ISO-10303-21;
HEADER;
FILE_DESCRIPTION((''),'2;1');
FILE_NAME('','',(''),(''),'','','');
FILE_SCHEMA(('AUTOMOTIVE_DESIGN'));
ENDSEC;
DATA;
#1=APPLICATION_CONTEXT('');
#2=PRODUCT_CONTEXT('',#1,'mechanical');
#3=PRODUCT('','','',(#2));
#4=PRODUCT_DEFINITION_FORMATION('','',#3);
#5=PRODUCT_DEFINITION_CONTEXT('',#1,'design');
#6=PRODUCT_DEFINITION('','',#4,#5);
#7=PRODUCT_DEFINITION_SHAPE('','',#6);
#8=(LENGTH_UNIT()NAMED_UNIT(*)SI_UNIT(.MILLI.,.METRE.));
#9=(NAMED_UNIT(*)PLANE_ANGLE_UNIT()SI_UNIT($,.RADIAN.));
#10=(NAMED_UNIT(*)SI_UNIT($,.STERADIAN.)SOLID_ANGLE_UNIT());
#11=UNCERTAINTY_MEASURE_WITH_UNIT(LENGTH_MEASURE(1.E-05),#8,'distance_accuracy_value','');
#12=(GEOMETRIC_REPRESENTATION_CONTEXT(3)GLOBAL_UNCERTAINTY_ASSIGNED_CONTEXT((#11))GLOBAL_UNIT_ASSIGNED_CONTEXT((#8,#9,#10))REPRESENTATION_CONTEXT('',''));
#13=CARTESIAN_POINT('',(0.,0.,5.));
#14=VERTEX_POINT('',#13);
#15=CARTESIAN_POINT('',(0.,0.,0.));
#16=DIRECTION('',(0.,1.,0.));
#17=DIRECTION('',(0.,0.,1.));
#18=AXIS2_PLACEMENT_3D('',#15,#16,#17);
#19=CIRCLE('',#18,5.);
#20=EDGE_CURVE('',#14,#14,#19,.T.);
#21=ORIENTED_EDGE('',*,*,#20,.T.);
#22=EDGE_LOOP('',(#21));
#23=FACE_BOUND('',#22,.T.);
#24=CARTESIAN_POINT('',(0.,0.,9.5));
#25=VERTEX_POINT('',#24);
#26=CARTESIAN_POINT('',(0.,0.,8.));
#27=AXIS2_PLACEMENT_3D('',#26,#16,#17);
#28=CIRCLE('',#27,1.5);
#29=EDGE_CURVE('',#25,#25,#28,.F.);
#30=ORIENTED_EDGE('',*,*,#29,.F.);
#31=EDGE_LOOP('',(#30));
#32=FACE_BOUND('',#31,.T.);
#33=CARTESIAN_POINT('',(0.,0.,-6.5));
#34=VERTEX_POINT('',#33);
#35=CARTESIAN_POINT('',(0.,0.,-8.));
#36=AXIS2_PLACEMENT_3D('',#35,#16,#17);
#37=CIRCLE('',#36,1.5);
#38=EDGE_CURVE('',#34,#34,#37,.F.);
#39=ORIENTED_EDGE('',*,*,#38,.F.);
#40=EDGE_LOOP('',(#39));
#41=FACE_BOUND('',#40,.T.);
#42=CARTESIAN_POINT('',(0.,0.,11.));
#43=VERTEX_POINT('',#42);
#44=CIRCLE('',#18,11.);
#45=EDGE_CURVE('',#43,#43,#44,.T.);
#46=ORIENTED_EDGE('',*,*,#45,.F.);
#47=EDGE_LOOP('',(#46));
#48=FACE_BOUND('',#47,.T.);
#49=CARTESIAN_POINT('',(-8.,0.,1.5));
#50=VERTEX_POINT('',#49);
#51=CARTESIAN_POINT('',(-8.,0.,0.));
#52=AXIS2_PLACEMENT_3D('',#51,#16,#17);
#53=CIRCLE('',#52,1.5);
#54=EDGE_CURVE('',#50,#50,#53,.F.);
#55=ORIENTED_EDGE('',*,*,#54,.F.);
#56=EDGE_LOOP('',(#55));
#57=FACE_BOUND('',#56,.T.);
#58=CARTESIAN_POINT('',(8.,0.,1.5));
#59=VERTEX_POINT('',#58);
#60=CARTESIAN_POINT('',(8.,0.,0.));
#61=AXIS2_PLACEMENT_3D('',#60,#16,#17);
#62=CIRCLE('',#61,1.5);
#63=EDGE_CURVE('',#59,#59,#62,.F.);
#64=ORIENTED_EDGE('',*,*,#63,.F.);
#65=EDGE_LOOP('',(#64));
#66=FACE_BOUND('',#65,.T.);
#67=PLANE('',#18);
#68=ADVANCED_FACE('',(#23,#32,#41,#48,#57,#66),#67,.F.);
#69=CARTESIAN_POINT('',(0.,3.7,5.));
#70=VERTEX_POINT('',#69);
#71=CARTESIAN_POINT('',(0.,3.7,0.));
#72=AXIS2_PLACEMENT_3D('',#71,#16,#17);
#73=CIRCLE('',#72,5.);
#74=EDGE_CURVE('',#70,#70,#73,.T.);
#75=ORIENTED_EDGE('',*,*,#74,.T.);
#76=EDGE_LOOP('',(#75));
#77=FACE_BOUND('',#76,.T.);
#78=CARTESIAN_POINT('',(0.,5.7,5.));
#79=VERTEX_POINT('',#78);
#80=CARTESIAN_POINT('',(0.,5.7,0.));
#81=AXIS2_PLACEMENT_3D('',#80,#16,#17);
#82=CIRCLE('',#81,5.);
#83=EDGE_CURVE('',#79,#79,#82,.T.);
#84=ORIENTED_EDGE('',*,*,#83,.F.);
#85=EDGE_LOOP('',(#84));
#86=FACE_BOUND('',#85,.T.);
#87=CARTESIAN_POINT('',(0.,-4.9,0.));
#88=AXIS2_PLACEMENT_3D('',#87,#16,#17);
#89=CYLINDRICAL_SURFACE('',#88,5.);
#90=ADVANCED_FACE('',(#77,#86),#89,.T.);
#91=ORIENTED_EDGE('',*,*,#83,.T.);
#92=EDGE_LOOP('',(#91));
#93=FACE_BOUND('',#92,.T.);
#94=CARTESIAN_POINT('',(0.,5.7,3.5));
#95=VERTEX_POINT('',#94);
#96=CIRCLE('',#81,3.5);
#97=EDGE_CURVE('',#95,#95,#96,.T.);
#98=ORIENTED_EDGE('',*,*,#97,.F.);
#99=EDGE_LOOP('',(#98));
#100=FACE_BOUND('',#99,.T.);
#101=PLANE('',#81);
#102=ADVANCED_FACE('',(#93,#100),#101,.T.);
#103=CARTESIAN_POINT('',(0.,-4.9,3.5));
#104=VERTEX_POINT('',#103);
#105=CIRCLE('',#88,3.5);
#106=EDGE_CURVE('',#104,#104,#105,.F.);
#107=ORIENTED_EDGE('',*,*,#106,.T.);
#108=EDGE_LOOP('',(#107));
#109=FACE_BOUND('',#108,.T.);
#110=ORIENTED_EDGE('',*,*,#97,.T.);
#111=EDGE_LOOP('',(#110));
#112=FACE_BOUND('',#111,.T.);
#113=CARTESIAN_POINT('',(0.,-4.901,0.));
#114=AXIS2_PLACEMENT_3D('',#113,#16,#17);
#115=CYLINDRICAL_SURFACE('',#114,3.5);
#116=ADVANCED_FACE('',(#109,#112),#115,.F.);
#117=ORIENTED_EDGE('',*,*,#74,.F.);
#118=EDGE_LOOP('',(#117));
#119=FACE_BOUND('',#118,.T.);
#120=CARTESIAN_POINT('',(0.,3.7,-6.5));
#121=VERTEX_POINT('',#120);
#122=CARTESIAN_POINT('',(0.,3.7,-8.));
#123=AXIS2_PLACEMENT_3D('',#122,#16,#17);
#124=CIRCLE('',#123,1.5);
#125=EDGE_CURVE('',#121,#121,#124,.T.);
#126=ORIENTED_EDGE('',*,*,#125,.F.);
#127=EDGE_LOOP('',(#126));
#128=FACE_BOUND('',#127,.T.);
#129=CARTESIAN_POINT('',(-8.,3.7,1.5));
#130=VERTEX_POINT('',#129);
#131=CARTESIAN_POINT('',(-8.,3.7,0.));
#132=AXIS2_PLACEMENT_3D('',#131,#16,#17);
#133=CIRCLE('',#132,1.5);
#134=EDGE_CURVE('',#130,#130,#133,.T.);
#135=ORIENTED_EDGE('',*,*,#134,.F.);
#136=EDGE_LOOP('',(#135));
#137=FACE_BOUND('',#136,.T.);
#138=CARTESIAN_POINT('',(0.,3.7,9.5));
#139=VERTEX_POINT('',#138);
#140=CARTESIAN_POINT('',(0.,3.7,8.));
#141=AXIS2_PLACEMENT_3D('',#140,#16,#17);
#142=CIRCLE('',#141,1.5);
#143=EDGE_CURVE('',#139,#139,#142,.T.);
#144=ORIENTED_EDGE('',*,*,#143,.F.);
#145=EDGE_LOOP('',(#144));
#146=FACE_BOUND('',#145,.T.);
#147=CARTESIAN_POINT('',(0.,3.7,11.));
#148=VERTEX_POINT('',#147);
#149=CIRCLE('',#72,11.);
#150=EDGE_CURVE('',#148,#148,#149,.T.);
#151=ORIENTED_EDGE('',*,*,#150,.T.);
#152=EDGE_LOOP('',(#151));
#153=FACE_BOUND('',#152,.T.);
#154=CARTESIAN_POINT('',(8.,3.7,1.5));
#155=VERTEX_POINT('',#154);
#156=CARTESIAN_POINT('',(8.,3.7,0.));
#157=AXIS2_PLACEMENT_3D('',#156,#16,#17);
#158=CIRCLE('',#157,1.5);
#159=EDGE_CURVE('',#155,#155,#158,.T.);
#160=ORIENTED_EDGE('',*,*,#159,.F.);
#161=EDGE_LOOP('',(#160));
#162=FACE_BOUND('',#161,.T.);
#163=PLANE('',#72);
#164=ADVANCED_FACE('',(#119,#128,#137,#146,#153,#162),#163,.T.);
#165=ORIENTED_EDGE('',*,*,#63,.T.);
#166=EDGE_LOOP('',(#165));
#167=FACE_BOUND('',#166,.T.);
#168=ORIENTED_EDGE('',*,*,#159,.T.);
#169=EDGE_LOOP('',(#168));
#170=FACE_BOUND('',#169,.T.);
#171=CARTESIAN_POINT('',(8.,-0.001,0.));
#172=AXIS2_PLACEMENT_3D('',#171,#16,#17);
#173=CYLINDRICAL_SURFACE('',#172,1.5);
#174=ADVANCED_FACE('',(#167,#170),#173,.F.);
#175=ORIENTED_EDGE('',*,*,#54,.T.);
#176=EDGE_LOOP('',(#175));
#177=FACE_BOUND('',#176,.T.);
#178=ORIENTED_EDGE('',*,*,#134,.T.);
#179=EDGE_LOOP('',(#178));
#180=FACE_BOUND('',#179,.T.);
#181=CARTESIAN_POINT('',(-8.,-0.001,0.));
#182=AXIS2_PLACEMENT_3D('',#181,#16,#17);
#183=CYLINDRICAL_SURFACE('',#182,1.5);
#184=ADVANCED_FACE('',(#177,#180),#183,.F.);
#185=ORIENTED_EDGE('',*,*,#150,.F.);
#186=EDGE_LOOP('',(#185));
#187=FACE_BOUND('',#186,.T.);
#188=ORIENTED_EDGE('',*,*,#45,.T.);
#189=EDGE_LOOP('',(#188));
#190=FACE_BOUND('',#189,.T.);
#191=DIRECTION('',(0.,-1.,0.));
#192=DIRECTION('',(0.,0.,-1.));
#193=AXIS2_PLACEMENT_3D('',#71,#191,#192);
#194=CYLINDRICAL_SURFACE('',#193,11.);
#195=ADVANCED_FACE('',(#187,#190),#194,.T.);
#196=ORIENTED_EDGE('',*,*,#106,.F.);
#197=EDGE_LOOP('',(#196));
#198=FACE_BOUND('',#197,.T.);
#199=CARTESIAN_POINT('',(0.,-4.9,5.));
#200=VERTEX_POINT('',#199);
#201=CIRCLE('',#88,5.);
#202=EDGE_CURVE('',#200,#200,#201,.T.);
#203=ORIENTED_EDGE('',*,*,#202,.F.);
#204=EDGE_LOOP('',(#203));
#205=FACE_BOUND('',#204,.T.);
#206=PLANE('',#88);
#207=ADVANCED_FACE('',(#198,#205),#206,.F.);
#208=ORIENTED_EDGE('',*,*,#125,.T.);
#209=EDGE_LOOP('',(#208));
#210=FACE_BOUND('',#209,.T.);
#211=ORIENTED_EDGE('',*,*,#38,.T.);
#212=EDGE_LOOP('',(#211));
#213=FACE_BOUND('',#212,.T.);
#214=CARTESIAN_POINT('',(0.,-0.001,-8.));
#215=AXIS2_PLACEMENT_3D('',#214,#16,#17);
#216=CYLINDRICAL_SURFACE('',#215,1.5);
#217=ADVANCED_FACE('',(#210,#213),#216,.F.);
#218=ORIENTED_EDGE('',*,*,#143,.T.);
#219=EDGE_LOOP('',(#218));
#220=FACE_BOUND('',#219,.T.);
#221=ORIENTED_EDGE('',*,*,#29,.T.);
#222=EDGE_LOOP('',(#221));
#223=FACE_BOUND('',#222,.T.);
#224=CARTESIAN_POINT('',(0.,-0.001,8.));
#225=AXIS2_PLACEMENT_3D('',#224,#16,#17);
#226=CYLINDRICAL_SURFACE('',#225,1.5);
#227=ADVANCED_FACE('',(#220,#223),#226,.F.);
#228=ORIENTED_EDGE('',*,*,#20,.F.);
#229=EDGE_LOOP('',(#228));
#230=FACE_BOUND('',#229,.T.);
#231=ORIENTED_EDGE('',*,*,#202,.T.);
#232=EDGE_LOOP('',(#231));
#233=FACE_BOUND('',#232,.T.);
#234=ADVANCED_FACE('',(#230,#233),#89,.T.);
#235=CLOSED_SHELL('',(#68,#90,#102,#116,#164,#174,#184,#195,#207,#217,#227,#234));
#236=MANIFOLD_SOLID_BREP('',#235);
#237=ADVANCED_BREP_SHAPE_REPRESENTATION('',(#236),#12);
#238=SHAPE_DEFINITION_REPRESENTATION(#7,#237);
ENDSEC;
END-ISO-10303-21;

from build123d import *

# Parameters (mm, degrees)
SKETCH1_R           = 11
BOSS_EXTRUDE1_DEPTH = 3.7
CUT_EXTRUDE1_REACH  = 17.99
SKETCH2_R           = 1.5
BOSS_EXTRUDE2_START = 2
SKETCH3_R           = 5
BOSS_EXTRUDE2_DEPTH = 10.6
CUT_EXTRUDE2_REACH  = 20.824
SKETCH4_R           = 3.5


with BuildPart() as part:
    # Sketch1 → Boss-Extrude1 (new body)
    with BuildSketch(Plane(origin=(0, 0, 0), x_dir=(1, 0, 0), z_dir=(0, 1, 0))):
        with Locations(Location((0, 0, 0), (0, 0, 270))):
            Circle(SKETCH1_R)
    extrude(amount=BOSS_EXTRUDE1_DEPTH)

    # Sketch2 → Cut-Extrude1 (cut, up to next)
    with BuildSketch(Plane(origin=(0, 3.7, 0), x_dir=(1, 0, 0), z_dir=(0, 1, 0)), mode=Mode.PRIVATE) as cut_extrude1_sk1:
        with Locations(Location((0, 8, 0), (0, 0, 270))):
            Circle(SKETCH2_R)
    cut_extrude1_tool1 = extrude(cut_extrude1_sk1.sketch, amount=-CUT_EXTRUDE1_REACH, mode=Mode.PRIVATE) & part.part
    # Sketch2 → Cut-Extrude1 (cut, up to next)
    with BuildSketch(Plane(origin=(0, 3.7, 0), x_dir=(1, 0, 0), z_dir=(0, 1, 0)), mode=Mode.PRIVATE) as cut_extrude1_sk2:
        with Locations(Location((8, 0, 0), (0, 0, 270))):
            Circle(SKETCH2_R)
    cut_extrude1_tool2 = extrude(cut_extrude1_sk2.sketch, amount=-CUT_EXTRUDE1_REACH, mode=Mode.PRIVATE) & part.part
    # Sketch2 → Cut-Extrude1 (cut, up to next)
    with BuildSketch(Plane(origin=(0, 3.7, 0), x_dir=(1, 0, 0), z_dir=(0, 1, 0)), mode=Mode.PRIVATE) as cut_extrude1_sk3:
        with Locations(Location((0, -8, 0), (0, 0, 270))):
            Circle(SKETCH2_R)
    cut_extrude1_tool3 = extrude(cut_extrude1_sk3.sketch, amount=-CUT_EXTRUDE1_REACH, mode=Mode.PRIVATE) & part.part
    # Sketch2 → Cut-Extrude1 (cut, up to next)
    with BuildSketch(Plane(origin=(0, 3.7, 0), x_dir=(1, 0, 0), z_dir=(0, 1, 0)), mode=Mode.PRIVATE) as cut_extrude1_sk4:
        with Locations(Location((-8, 0, 0), (0, 0, 270))):
            Circle(SKETCH2_R)
    cut_extrude1_tool4 = extrude(cut_extrude1_sk4.sketch, amount=-CUT_EXTRUDE1_REACH, mode=Mode.PRIVATE) & part.part
    add(cut_extrude1_tool1.solids().sort_by_distance((0, 3.7, -8))[0], mode=Mode.SUBTRACT)
    add(cut_extrude1_tool2.solids().sort_by_distance((8, 3.7, 0))[0], mode=Mode.SUBTRACT)
    add(cut_extrude1_tool3.solids().sort_by_distance((0, 3.7, 8))[0], mode=Mode.SUBTRACT)
    add(cut_extrude1_tool4.solids().sort_by_distance((-8, 3.7, 0))[0], mode=Mode.SUBTRACT)

    # Sketch3 → Boss-Extrude2 (add)
    with BuildSketch(Plane(origin=(0, 3.7, 0), x_dir=(1, 0, 0), z_dir=(0, 1, 0)).offset(BOSS_EXTRUDE2_START)):
        with Locations(Location((0, 0, 0), (0, 0, 270))):
            Circle(SKETCH3_R)
    extrude(amount=-BOSS_EXTRUDE2_DEPTH)

    # Sketch4 → Cut-Extrude2 (cut, up to next)
    with BuildSketch(Plane(origin=(0, 5.7, 0), x_dir=(1, 0, 0), z_dir=(0, 1, 0)), mode=Mode.PRIVATE) as cut_extrude2_sk1:
        with Locations(Location((0, 0, 0), (0, 0, 270))):
            Circle(SKETCH4_R)
    cut_extrude2_tool1 = extrude(cut_extrude2_sk1.sketch, amount=-CUT_EXTRUDE2_REACH, mode=Mode.PRIVATE) & part.part
    add(cut_extrude2_tool1.solids().sort_by_distance((0, 5.7, 0))[0], mode=Mode.SUBTRACT)


solid = part.part
